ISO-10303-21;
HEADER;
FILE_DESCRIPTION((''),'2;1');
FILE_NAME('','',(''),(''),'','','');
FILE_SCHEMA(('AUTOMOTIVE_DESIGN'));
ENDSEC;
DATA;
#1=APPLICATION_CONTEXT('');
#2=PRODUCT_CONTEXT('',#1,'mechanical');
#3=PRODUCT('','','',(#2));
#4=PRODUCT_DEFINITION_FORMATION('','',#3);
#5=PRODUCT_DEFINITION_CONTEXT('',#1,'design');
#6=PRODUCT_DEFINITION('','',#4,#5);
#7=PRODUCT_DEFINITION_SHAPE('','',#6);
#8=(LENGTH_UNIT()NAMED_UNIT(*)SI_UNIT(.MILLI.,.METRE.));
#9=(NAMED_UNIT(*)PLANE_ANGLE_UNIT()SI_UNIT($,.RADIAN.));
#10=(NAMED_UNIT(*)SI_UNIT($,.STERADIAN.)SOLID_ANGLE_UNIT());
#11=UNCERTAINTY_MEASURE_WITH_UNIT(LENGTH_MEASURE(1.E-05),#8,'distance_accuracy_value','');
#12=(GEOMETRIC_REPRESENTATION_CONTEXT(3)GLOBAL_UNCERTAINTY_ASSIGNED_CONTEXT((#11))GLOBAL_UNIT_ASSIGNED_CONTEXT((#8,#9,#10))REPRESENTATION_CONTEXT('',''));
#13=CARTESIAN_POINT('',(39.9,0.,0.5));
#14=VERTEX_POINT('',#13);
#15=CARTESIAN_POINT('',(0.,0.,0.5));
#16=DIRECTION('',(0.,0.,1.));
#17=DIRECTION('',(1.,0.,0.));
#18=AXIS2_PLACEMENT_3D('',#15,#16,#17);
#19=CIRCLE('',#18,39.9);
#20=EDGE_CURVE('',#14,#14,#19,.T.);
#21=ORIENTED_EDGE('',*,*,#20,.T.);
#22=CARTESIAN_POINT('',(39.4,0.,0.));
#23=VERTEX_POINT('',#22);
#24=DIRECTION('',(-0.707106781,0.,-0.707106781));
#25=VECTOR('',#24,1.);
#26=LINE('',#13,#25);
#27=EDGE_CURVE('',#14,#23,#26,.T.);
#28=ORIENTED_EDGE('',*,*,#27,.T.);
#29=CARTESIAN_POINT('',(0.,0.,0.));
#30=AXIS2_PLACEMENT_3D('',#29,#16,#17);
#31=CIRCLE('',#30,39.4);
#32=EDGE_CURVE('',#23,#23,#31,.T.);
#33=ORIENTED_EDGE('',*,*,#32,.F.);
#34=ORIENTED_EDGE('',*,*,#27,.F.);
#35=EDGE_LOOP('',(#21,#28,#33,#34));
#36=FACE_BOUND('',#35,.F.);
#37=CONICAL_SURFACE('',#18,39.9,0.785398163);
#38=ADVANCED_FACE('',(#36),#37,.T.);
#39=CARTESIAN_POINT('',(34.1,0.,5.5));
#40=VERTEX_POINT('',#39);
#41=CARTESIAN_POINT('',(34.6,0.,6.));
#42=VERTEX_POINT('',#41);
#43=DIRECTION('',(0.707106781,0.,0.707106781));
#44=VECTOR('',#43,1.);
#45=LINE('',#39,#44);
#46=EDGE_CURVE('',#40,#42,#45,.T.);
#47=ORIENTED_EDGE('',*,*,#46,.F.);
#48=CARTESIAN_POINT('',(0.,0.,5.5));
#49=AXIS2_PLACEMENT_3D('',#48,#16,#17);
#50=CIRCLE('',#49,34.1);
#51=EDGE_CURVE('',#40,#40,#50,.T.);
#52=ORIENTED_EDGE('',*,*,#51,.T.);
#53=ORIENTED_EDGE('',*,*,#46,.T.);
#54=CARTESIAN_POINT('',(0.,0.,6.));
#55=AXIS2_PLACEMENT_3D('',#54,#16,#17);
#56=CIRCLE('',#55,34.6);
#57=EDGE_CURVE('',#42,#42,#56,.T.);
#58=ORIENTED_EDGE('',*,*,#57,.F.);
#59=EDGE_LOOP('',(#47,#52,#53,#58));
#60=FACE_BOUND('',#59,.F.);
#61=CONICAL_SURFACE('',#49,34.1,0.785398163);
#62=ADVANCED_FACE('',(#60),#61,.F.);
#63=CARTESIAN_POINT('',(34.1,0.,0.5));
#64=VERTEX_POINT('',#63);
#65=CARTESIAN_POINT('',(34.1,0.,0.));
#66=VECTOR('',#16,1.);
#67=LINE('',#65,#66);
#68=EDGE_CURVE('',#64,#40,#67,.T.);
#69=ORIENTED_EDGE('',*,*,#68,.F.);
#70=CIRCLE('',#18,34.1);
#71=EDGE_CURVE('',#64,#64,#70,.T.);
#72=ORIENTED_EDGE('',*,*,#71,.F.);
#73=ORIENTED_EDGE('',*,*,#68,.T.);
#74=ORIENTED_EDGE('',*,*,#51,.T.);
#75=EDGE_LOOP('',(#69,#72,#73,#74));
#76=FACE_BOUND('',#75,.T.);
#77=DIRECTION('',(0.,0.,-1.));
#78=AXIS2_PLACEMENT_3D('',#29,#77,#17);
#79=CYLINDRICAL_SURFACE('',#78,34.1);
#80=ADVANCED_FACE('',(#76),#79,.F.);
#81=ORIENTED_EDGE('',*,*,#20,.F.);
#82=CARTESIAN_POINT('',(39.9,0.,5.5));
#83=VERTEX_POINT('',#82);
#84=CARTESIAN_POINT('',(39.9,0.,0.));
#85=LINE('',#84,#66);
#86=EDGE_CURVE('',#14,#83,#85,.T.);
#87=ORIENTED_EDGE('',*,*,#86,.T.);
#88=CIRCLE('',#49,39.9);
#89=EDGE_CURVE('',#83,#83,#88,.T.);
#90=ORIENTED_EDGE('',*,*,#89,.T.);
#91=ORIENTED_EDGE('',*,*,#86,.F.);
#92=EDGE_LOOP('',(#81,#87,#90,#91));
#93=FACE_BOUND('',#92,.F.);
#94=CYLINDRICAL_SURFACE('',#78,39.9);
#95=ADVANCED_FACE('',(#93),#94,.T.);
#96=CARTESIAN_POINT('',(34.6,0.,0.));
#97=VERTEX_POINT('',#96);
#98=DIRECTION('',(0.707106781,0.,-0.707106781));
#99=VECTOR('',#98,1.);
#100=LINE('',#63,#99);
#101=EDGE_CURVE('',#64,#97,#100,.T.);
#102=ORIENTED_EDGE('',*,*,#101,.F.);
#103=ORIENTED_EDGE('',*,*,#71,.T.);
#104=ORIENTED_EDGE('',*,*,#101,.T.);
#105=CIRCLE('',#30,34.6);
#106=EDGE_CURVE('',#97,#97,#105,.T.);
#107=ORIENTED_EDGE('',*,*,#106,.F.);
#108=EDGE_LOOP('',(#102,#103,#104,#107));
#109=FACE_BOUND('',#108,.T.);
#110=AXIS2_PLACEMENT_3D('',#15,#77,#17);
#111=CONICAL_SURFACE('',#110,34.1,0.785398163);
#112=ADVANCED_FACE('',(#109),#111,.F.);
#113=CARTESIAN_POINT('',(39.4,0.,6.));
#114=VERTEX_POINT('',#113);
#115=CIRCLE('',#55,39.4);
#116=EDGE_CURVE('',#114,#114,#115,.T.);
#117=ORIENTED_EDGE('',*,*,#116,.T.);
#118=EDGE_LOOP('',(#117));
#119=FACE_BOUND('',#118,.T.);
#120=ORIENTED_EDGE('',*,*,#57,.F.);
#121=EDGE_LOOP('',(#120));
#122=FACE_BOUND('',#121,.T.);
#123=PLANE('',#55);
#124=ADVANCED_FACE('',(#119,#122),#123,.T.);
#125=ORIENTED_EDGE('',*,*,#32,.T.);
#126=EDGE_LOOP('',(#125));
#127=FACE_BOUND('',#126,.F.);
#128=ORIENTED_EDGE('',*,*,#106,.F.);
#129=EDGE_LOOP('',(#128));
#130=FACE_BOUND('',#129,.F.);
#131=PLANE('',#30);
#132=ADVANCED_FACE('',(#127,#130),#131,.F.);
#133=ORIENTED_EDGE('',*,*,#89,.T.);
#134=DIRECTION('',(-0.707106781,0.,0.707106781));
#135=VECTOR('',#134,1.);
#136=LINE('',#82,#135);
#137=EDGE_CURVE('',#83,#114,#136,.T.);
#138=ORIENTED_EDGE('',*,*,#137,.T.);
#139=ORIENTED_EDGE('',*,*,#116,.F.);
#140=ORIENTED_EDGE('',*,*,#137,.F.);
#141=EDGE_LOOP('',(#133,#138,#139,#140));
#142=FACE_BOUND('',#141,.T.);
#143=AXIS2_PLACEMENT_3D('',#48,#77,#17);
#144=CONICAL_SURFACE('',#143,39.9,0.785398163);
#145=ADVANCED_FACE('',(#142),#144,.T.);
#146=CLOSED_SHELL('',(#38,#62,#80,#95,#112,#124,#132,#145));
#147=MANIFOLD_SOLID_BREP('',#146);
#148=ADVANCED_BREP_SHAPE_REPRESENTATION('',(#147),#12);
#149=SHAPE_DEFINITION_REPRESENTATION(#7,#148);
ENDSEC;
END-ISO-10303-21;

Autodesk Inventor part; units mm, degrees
ref_plane "YZ Plane" through (0, 0, 0) normal (1, 0, 0) x (0, 1, 0)
ref_plane "XZ Plane" through (0, 0, 0) normal (0, 1, 0) x (-1, 0, 0)
ref_plane "XY Plane" through (0, 0, 0) normal (0, 0, 1) x (1, 0, 0)
sketch "草图1" plane through (0, 0, 0) normal (0, 0, 1) x (1, 0, 0)
  circle A0 centre (0, 0) radius 39.9
  circle A1 centre (0, 0) radius 34.1
extrude "拉伸1" add sketch "草图1" along normal blind 6
chamfer "倒角1" distance 0.5 angle 45 4 edges at (-34.1, 0, 6) (-34.1, 0, 0) (-39.9, 0, 6) (-39.9, 0, 0)
properties part number "my_attempt_v2"
